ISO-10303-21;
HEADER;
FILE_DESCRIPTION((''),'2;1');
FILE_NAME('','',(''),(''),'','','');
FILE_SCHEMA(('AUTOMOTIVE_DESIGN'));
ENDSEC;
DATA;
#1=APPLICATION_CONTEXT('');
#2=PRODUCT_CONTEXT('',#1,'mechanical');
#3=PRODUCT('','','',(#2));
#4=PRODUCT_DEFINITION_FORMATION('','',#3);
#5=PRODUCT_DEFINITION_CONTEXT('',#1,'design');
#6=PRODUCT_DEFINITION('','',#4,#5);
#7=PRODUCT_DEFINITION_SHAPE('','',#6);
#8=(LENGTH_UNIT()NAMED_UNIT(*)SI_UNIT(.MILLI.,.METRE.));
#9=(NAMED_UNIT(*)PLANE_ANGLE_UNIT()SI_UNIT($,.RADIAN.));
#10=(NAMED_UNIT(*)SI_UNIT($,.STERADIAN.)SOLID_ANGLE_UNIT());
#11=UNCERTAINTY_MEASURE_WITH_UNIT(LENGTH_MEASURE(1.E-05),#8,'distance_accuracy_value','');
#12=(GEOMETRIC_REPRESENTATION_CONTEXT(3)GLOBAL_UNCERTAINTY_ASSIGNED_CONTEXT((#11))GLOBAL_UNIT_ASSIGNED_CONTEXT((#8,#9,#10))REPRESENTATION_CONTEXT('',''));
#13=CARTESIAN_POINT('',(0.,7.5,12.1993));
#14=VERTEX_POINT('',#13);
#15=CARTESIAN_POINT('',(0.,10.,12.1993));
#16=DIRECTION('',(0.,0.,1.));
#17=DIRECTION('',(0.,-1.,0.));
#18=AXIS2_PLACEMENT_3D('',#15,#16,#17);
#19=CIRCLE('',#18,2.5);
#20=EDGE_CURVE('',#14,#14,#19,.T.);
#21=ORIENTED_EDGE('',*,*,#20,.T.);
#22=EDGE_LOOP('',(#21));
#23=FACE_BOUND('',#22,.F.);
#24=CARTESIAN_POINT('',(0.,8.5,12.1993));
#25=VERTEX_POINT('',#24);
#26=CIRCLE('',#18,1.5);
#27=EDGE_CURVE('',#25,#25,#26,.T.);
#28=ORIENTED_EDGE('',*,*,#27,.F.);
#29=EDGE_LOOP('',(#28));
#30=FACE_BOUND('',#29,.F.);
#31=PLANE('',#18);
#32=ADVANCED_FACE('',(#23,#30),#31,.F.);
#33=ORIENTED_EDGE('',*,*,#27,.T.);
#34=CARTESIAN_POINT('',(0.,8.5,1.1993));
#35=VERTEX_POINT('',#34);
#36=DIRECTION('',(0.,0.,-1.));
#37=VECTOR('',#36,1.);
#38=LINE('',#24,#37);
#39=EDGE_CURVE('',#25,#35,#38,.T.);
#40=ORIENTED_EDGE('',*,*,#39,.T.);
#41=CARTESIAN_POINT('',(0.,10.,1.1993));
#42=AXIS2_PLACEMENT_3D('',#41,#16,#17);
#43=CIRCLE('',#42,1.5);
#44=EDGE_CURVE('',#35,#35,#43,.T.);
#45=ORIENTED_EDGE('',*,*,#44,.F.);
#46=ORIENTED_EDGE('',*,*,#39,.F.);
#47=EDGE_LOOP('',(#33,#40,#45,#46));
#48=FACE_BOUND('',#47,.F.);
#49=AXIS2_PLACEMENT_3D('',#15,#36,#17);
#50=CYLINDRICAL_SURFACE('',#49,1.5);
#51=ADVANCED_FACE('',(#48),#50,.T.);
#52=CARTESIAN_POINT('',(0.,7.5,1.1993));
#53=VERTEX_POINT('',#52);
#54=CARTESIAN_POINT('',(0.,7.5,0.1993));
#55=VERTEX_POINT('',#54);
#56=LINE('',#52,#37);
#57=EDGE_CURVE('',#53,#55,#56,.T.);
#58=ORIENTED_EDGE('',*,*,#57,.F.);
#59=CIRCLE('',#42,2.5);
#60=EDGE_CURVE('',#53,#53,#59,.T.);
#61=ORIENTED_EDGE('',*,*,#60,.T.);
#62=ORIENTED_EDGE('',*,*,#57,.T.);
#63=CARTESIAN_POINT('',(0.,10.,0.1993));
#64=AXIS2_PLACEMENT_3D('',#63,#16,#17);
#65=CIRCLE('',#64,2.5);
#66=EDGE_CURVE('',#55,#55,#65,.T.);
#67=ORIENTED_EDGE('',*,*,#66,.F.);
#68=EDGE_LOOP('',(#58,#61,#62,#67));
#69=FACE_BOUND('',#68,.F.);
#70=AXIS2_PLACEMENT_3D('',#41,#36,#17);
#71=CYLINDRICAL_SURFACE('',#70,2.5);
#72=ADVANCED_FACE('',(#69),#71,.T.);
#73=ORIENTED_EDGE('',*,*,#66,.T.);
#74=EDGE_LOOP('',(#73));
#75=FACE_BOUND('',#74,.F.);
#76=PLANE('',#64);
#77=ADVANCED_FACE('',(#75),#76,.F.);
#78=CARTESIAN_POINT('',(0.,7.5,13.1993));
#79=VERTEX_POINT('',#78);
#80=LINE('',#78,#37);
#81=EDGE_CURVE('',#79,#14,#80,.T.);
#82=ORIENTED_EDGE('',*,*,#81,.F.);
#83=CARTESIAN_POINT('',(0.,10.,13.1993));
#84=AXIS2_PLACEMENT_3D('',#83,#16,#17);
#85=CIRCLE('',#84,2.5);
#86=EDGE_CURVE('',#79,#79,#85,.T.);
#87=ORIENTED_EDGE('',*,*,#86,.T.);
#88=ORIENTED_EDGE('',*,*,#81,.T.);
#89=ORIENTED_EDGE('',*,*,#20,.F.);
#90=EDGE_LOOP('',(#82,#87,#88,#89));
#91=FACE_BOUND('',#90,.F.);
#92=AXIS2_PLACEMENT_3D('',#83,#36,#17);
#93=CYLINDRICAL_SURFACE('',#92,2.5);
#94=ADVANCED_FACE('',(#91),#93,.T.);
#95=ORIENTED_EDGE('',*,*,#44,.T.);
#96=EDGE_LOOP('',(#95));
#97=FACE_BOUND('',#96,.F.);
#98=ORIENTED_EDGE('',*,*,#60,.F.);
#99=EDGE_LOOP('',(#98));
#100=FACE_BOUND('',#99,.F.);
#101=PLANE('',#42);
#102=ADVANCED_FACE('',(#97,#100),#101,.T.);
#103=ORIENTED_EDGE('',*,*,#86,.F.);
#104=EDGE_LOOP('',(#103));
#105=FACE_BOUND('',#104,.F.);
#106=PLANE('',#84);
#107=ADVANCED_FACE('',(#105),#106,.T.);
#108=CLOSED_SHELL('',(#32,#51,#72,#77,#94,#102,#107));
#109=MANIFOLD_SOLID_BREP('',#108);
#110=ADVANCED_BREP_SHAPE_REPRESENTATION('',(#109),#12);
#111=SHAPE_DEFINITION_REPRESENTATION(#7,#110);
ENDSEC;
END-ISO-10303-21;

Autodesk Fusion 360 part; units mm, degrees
sketch "Sketch1" plane through (0, 0, 0) normal (1, 0, 0) x (0, 1, 0)
  line L0 (10, 0.1993) -> (10, 13.1993)
  line L1 (10, 13.1993) -> (7.5, 13.1993)
  line L2 (7.5, 13.1993) -> (7.5, 12.1993)
  line L3 (7.5, 12.1993) -> (8.5, 12.1993)
  line L4 (8.5, 12.1993) -> (8.5, 1.1993)
  line L5 (8.5, 1.1993) -> (7.5, 1.1993)
  line L6 (7.5, 1.1993) -> (7.5, 0.1993)
  line L7 (7.5, 0.1993) -> (10, 0.1993)
  dimension "d1" = 13
  dimension "d2" = 1.5
  dimension "d3" = 1
  dimension "d4" = 2.5
  dimension "d5" = 1
  dimension "d6" = 2.5
revolve "Revolve1" add sketch "Sketch1" angle 360 about axis through (0, 10, 0.1993) along (0, 0, 1) in component "Component"
component "Component" placed x (1, 0, 0) y (0, 1, 0) z (0, 0, 1) at (0, 0, 0)
